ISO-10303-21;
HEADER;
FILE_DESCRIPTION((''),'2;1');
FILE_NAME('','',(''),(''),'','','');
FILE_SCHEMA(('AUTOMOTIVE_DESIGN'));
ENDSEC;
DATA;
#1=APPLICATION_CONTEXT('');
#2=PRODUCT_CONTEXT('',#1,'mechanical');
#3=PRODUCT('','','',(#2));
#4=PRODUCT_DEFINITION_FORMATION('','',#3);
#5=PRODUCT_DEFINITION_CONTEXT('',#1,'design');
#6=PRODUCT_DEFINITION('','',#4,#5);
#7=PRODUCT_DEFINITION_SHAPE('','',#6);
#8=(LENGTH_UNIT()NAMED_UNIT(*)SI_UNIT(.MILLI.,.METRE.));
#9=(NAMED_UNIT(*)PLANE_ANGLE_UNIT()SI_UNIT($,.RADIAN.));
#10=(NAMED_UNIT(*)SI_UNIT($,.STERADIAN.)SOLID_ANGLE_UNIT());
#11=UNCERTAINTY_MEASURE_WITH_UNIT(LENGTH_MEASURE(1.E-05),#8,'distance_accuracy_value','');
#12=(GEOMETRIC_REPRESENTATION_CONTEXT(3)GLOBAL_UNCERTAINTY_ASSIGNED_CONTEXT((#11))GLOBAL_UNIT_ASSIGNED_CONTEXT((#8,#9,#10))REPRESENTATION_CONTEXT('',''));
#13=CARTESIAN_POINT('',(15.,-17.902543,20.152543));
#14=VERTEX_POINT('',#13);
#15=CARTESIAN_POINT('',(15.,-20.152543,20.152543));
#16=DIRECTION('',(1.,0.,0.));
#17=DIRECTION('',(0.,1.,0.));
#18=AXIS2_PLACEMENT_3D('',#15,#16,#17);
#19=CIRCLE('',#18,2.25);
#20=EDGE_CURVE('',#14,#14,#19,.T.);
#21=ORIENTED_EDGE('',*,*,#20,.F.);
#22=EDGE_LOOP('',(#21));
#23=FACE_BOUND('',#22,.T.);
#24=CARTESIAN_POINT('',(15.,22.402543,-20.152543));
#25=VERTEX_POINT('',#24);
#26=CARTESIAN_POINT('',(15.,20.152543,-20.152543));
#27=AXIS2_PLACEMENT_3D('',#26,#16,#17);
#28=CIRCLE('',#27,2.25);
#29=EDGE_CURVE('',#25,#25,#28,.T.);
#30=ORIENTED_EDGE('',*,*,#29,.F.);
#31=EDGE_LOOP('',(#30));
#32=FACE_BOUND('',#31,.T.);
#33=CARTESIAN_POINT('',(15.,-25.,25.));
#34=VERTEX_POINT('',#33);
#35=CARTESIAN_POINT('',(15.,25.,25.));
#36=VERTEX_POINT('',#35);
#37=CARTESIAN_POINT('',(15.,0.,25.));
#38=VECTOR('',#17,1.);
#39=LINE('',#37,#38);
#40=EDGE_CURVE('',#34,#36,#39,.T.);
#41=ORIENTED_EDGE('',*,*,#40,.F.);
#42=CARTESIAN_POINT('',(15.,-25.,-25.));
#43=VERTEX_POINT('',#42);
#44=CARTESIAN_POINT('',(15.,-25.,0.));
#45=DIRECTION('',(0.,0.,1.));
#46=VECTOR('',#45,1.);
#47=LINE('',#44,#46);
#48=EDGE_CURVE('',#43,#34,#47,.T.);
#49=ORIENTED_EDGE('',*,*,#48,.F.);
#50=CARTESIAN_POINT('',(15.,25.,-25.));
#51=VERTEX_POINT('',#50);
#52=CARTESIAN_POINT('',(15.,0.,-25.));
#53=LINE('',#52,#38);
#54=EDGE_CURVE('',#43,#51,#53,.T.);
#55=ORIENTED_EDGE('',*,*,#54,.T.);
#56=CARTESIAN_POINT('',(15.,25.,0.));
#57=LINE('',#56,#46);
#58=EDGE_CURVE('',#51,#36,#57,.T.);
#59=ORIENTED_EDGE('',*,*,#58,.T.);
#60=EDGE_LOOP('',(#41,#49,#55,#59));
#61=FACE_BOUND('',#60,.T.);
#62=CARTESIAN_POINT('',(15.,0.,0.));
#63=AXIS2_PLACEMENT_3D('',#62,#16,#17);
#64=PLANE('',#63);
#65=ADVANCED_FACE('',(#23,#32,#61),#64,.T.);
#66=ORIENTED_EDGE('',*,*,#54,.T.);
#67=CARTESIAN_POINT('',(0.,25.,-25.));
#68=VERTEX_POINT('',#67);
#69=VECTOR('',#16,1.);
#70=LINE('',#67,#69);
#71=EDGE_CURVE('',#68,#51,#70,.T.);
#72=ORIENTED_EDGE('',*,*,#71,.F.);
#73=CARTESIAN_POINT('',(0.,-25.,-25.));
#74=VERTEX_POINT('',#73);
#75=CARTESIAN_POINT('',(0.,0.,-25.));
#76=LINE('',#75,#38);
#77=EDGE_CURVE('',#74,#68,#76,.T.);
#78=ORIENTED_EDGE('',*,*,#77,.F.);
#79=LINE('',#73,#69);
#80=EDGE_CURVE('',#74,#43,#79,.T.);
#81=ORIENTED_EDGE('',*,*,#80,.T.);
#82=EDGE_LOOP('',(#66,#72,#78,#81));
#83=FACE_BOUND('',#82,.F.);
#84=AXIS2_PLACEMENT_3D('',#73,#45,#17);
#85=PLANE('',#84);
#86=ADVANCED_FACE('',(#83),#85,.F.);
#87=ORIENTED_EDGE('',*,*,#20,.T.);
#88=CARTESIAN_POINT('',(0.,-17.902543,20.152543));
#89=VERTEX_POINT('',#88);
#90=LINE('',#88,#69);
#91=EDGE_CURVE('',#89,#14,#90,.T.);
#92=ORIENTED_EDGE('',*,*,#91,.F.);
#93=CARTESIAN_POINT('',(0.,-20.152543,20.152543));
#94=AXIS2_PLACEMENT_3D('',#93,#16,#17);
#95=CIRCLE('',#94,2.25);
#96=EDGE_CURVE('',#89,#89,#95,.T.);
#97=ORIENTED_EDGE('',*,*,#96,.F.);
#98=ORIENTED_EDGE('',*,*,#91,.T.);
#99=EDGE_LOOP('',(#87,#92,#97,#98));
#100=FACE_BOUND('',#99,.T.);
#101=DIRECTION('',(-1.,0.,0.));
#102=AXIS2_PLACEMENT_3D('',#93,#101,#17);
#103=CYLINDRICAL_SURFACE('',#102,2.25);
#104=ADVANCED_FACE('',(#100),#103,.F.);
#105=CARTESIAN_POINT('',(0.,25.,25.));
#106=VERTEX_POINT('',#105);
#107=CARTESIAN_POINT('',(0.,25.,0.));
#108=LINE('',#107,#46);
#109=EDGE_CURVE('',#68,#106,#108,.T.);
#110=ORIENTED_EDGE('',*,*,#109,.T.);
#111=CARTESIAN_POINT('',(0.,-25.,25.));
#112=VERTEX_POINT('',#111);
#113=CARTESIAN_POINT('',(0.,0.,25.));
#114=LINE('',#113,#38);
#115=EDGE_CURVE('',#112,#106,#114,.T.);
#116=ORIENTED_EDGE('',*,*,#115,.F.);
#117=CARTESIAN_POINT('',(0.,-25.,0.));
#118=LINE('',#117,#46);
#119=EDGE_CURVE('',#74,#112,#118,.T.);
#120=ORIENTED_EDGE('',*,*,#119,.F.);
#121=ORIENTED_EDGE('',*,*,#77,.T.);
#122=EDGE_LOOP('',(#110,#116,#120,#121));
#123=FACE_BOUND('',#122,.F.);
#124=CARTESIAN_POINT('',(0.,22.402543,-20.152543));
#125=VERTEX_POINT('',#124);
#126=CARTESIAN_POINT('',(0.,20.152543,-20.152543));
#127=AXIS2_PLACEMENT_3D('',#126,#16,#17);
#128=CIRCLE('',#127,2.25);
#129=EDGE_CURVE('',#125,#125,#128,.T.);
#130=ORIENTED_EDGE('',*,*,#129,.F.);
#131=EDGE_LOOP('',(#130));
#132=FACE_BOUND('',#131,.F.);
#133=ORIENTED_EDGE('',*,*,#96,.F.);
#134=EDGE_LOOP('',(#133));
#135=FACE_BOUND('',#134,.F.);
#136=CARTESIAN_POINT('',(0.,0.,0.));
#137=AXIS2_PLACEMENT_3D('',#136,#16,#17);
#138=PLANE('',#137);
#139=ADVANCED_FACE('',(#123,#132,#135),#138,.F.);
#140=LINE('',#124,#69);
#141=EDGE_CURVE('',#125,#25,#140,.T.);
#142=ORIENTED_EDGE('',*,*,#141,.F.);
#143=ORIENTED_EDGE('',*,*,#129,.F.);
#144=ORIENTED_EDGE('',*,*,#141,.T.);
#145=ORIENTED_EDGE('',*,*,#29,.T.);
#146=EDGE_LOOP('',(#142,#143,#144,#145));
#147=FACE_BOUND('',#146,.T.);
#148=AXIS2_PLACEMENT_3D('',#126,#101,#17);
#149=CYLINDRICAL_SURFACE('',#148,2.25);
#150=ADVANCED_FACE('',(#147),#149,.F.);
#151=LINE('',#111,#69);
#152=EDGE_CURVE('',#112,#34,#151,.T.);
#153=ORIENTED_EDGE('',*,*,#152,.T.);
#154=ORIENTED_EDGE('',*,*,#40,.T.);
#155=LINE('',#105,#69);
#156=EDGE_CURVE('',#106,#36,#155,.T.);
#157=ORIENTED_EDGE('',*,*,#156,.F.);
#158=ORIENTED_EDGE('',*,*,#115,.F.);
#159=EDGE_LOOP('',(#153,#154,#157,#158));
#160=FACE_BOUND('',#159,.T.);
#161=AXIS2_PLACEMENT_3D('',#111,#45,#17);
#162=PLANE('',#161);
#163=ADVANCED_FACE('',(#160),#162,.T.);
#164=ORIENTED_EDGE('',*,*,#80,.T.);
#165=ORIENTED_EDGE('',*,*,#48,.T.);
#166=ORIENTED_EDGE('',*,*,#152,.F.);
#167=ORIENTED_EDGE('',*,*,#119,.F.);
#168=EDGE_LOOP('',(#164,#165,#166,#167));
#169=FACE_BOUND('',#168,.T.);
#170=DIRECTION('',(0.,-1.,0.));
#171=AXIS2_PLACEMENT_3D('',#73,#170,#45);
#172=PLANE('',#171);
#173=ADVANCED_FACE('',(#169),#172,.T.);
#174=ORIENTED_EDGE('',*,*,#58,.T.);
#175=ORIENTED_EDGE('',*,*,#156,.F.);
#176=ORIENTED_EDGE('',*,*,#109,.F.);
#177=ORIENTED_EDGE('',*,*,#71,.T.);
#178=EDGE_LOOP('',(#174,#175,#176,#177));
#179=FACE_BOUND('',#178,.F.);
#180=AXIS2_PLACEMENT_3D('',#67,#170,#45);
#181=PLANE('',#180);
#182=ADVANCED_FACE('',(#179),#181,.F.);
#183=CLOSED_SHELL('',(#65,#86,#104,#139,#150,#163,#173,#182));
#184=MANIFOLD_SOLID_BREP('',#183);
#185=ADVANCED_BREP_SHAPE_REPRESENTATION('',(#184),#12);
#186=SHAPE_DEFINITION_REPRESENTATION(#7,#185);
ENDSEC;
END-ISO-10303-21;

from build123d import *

# Parameters (mm, degrees)
F0_W     = 50
F0_H     = 50
F0_R     = 2.25
F1_DEPTH = 15


with BuildPart() as f1:
    # F0 (on Right) → F1 (new body)
    with BuildSketch(Plane.YZ):
        Rectangle(F0_W, F0_H)
        with Locations((20.152543, -20.152543)):
            Circle(F0_R, mode=Mode.SUBTRACT)
        with Locations((-20.152543, 20.152543)):
            Circle(F0_R, mode=Mode.SUBTRACT)
    extrude(amount=F1_DEPTH)


solid = f1.part
